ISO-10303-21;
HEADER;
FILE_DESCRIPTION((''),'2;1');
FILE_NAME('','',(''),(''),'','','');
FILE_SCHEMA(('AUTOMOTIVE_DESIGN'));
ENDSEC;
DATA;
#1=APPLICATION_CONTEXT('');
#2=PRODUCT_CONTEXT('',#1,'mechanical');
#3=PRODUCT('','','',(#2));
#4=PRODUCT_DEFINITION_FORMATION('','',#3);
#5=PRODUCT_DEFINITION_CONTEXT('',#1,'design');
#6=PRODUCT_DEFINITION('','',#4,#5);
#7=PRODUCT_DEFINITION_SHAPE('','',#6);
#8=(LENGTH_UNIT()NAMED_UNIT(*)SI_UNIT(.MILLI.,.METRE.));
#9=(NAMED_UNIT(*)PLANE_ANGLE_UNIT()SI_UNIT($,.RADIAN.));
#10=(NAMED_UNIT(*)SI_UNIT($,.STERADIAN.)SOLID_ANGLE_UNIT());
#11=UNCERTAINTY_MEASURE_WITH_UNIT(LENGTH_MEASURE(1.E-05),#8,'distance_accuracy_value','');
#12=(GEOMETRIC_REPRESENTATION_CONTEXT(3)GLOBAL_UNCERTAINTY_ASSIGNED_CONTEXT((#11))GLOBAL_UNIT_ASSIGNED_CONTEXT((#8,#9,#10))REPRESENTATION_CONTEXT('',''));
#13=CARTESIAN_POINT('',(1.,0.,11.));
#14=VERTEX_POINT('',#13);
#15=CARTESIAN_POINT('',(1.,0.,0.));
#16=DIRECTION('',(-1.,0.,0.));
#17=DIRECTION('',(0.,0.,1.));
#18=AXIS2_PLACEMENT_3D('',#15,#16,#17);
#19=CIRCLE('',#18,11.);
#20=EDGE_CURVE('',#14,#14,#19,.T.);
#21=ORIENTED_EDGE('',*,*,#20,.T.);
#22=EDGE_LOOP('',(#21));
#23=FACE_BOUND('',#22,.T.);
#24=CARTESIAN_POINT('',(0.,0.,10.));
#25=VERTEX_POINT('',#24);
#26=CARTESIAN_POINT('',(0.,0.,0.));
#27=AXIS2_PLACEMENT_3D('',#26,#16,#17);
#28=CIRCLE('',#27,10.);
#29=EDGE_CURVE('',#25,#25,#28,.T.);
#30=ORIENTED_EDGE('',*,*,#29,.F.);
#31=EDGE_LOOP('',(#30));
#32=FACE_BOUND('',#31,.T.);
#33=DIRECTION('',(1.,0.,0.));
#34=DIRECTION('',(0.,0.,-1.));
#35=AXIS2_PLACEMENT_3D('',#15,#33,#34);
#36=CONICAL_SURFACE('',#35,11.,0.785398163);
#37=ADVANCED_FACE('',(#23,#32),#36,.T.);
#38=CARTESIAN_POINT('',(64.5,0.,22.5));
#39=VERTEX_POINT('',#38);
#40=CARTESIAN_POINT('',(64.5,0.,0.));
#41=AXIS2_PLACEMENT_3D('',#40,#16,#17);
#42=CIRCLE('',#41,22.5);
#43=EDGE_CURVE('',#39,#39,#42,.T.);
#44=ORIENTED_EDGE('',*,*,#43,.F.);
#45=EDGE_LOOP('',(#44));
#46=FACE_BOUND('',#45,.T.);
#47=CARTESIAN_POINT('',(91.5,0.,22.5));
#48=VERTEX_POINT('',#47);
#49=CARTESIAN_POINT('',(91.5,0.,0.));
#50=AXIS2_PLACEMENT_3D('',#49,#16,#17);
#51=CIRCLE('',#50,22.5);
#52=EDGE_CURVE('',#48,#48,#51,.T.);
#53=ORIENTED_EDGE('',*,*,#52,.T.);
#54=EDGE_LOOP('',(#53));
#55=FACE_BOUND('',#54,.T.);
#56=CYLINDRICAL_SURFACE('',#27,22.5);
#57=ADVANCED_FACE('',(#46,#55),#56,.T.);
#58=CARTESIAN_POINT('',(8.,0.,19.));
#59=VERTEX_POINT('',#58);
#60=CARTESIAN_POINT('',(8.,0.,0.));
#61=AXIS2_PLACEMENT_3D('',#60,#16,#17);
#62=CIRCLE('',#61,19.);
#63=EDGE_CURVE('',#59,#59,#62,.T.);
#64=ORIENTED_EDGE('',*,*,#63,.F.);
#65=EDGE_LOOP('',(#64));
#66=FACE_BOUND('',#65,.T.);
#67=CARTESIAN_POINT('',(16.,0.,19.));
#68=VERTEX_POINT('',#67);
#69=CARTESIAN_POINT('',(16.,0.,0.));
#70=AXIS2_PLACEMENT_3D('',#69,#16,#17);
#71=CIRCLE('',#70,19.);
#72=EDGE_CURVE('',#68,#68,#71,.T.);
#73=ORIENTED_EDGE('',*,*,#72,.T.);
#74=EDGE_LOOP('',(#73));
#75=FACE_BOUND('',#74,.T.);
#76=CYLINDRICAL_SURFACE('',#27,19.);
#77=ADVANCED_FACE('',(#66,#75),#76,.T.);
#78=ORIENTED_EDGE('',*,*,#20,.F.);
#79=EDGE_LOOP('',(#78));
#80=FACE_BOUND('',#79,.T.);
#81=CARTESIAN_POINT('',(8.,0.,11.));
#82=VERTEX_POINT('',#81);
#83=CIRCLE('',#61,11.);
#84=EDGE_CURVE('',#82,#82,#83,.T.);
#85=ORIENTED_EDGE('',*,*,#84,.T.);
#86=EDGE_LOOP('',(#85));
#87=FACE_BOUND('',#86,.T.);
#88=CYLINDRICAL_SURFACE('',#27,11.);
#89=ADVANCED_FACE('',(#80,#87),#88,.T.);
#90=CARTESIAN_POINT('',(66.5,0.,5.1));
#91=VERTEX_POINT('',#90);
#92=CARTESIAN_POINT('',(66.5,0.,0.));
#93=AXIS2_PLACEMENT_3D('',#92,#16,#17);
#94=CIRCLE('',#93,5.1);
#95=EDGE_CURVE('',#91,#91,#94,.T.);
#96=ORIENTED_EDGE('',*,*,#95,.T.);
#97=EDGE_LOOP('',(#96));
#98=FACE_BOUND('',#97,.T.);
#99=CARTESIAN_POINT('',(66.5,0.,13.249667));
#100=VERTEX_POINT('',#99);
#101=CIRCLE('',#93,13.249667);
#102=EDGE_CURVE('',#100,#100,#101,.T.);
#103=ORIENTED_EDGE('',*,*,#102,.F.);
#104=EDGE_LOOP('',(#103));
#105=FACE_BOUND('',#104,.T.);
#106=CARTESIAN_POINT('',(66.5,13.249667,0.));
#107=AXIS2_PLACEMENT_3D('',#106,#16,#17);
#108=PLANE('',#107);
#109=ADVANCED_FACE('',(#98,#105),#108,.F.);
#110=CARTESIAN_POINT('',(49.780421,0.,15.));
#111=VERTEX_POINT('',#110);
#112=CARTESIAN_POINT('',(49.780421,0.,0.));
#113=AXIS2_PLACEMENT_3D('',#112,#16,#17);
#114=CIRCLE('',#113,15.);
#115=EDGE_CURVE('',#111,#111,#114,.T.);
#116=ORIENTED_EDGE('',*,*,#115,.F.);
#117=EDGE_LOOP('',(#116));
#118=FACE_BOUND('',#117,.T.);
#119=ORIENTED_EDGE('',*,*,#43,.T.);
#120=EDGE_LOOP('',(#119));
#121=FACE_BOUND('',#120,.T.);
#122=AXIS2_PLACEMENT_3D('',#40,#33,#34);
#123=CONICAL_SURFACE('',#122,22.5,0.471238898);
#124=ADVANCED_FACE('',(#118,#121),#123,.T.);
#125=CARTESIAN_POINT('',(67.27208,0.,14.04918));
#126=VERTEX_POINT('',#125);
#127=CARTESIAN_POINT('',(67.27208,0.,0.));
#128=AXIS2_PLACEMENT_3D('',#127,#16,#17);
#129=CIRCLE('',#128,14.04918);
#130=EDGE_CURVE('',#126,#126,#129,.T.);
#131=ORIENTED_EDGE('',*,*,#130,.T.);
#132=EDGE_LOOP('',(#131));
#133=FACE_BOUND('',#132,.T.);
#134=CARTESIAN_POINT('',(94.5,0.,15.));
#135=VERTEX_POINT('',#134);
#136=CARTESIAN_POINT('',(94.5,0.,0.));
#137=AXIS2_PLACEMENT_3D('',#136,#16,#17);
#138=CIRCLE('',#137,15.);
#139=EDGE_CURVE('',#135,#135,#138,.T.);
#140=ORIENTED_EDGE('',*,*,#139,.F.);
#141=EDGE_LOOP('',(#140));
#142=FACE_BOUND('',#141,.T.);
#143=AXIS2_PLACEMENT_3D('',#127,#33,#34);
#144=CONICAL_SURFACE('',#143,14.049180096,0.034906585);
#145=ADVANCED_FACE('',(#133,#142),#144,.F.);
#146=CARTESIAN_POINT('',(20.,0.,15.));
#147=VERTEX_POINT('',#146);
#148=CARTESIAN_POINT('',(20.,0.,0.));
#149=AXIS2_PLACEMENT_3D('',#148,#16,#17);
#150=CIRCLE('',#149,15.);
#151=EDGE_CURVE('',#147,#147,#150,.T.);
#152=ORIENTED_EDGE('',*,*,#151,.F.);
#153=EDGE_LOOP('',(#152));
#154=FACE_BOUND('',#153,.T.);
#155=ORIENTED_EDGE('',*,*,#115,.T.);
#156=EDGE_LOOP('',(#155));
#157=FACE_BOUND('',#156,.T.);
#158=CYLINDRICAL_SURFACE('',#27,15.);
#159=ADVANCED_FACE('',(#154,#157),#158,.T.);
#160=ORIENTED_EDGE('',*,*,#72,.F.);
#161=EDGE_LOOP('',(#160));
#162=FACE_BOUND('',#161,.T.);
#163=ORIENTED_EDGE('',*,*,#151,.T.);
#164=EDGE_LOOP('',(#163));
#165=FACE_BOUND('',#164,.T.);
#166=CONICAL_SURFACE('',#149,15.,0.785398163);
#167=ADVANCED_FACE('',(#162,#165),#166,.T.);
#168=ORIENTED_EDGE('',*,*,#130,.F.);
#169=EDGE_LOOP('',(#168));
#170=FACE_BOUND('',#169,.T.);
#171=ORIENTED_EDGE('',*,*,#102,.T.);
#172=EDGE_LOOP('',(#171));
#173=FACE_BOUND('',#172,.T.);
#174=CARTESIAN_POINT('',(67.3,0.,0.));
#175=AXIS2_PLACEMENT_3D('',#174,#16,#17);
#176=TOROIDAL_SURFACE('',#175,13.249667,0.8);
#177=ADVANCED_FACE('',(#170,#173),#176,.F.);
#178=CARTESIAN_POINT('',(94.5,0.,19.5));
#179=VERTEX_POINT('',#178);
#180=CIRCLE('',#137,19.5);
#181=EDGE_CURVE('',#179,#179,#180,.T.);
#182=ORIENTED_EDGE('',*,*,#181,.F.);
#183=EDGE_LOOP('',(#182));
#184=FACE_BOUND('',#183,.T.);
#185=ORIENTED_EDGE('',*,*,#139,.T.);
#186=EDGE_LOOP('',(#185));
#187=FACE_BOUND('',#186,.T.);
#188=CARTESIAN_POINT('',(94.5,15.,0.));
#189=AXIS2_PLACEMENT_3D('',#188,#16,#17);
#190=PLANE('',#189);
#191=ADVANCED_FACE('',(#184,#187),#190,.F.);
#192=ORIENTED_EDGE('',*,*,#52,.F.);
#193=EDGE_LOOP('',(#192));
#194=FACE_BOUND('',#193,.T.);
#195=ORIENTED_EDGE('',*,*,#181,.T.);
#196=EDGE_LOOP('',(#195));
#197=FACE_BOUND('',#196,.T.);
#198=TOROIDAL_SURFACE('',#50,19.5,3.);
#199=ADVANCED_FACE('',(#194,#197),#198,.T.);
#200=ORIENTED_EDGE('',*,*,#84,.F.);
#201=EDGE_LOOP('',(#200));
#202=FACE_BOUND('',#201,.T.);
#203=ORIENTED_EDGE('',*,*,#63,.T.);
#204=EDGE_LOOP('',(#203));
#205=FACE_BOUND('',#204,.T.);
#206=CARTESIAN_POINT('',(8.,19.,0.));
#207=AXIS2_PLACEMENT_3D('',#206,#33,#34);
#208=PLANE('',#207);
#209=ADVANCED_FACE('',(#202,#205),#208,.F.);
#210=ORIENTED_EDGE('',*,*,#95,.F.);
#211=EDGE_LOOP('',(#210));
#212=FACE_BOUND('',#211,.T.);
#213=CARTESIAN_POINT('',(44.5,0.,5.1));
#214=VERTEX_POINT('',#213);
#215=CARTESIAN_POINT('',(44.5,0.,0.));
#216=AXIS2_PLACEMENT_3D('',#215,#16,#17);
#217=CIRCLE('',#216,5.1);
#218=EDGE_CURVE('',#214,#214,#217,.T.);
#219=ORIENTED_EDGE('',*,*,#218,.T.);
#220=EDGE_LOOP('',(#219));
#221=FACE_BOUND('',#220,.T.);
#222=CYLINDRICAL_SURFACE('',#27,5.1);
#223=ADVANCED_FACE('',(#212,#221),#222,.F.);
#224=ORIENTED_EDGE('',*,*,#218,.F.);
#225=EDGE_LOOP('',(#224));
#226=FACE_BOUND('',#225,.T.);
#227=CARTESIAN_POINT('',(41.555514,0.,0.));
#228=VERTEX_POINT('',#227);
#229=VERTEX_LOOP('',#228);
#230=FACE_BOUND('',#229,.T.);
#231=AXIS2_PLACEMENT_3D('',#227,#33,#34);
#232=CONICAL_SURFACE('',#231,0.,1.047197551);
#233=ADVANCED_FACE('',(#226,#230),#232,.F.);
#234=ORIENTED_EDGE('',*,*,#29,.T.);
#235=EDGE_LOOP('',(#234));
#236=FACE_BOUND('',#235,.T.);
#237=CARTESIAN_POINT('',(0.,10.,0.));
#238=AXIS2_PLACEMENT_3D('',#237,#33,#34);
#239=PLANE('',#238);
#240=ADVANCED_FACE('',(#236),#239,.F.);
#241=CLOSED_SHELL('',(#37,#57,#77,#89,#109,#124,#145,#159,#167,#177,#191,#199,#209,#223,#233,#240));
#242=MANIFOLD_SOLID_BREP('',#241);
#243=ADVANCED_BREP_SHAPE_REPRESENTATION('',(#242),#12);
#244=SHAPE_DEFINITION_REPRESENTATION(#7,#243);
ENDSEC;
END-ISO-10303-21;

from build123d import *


with BuildPart() as part:
    # Sketch1 → Revolve1 (revolve)
    with BuildSketch(Plane.XY):
        with BuildLine():
            Line((44.5, 5.1), (41.555513627, 0))
            Line((41.555513627, 0), (0, 0))
            Line((0, 0), (0, 10))
            Line((0, 10), (1, 11))
            Line((1, 11), (8, 11))
            Line((8, 11), (8, 19))
            Line((8, 19), (16, 19))
            Line((16, 19), (20, 15))
            Line((20, 15), (49.780421209, 15))
            Line((49.780421209, 15), (64.5, 22.5))
            Line((64.5, 22.5), (91.5, 22.5))
            ThreePointArc((91.5, 22.5), (93.621320344, 21.621320344), (94.5, 19.5))
            Line((94.5, 19.5), (94.5, 15))
            Line((94.5, 15), (67.272080403, 14.049180096))
            ThreePointArc((67.272080403, 14.049180096), (66.72452816, 13.805394131), (66.5, 13.249667434))
            Line((66.5, 13.249667434), (66.5, 5.1))
            Line((66.5, 5.1), (44.5, 5.1))
        make_face()
    revolve(axis=Axis((0, 0, 0), (1, 0, 0)))


solid = part.part
